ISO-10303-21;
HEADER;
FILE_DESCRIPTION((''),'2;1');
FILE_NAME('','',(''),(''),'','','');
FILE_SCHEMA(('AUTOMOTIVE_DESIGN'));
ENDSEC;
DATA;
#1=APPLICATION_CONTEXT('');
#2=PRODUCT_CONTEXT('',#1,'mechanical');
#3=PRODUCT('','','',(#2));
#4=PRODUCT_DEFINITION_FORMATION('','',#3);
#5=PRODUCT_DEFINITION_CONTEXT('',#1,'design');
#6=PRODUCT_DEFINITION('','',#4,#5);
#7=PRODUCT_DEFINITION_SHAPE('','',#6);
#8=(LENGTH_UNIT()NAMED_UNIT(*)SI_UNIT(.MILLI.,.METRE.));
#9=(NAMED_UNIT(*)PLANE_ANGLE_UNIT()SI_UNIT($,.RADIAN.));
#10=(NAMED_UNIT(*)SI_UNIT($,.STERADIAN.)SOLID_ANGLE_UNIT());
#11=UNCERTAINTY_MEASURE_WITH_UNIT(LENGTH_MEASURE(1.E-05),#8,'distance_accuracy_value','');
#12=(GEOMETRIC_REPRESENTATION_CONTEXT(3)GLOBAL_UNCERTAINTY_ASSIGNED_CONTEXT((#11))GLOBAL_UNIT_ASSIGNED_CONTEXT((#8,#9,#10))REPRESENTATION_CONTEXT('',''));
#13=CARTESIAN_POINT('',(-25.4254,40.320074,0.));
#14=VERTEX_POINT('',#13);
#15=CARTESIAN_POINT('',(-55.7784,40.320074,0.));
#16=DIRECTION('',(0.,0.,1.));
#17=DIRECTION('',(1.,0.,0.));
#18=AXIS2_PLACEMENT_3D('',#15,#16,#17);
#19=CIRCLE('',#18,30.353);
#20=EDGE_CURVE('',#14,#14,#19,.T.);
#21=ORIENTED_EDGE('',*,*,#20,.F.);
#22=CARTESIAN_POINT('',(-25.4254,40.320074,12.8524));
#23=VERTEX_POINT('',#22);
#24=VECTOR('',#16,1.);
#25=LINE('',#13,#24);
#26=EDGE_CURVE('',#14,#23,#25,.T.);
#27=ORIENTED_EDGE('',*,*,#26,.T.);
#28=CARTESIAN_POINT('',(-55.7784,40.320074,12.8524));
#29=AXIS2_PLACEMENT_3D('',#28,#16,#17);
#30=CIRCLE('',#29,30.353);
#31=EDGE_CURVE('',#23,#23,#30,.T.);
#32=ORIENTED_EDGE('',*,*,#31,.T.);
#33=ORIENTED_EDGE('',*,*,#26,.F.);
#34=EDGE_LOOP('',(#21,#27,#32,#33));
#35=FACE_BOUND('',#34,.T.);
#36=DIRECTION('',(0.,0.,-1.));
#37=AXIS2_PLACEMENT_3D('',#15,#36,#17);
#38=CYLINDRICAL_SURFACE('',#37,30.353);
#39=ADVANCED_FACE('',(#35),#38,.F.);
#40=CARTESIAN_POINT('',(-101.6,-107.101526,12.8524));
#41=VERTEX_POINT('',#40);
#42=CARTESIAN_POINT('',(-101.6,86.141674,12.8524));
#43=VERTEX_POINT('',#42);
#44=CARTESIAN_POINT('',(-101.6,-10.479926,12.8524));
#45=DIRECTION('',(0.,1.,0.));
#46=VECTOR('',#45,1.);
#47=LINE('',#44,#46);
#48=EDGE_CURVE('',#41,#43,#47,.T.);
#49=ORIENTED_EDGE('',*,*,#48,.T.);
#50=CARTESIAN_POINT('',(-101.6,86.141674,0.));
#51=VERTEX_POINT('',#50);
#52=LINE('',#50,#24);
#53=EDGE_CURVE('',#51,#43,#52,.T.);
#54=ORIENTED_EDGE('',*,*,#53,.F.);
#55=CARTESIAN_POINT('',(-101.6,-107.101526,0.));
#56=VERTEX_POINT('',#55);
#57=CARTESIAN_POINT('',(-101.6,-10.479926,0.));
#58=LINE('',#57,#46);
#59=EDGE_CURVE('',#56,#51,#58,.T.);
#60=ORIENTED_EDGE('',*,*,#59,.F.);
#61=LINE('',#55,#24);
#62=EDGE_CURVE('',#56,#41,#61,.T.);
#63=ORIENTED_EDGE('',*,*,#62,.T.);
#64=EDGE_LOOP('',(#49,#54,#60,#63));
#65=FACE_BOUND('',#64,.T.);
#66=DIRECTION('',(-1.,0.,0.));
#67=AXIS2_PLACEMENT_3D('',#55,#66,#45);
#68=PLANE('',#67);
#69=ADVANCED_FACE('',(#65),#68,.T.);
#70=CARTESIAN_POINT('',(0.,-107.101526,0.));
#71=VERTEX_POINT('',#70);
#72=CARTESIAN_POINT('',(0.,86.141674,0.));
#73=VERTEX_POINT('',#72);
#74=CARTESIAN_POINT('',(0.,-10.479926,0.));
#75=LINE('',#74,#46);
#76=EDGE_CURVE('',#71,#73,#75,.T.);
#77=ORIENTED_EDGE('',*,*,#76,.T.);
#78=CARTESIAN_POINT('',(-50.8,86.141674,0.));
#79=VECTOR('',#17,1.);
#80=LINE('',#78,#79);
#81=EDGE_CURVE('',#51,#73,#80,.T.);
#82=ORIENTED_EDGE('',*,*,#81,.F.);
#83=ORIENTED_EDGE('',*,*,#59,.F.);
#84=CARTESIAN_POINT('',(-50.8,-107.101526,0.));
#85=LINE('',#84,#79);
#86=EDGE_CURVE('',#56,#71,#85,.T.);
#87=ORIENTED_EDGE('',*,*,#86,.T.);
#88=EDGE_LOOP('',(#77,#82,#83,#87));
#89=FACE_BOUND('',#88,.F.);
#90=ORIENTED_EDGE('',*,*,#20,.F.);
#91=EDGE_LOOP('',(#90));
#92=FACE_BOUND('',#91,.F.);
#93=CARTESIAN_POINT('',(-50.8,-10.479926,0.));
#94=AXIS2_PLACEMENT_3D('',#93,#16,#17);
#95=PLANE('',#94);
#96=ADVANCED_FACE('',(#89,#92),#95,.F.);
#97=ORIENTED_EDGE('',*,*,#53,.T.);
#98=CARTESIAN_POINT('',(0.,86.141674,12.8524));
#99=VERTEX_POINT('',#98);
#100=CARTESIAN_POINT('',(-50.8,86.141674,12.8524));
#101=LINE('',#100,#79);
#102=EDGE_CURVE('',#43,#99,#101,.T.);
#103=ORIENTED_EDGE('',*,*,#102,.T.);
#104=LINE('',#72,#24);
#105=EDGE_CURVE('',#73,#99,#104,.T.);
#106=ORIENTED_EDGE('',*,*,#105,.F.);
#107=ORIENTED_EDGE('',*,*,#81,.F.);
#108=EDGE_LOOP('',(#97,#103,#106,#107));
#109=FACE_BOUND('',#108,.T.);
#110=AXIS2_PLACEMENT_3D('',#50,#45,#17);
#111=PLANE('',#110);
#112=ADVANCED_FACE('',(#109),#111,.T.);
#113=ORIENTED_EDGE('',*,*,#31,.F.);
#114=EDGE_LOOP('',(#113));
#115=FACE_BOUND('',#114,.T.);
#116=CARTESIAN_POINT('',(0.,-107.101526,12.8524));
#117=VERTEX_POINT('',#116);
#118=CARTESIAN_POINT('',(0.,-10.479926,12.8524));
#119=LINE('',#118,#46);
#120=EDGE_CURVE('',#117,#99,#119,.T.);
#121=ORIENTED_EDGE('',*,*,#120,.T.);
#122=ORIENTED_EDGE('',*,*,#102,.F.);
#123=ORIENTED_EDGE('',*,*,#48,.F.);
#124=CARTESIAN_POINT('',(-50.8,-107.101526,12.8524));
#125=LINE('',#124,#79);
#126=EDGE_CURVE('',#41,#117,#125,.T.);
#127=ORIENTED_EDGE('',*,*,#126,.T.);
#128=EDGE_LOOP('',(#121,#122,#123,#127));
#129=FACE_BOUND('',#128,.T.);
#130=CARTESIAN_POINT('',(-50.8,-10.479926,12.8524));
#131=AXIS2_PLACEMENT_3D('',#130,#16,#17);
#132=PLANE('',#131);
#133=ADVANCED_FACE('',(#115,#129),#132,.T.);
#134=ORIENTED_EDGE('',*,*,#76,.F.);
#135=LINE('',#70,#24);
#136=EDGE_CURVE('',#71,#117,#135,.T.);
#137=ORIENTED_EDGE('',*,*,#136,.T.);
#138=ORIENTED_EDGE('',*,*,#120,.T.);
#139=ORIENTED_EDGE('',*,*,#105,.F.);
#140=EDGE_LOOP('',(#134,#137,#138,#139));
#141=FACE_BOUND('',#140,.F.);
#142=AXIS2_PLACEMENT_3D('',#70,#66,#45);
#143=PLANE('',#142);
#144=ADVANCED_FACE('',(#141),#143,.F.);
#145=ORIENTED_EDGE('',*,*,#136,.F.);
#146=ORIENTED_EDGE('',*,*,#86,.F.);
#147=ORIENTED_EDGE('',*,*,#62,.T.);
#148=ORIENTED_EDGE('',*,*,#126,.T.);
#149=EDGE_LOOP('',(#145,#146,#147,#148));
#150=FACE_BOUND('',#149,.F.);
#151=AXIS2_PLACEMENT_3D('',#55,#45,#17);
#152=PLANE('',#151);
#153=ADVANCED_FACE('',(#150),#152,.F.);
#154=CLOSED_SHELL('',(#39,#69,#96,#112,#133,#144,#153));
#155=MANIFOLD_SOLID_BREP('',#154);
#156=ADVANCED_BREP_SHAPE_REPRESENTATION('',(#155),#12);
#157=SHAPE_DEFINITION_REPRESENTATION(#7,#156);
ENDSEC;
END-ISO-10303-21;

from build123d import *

# Parameters (mm, degrees)
F2_W     = 101.6
F2_H     = 193.2432
F2_R     = 30.353
F3_DEPTH = 12.8524


with BuildPart() as f3:
    # F2 (on face) → F3 (new body)
    with BuildSketch(Plane.XY):
        with Locations((-50.8, -10.479926)):
            Rectangle(F2_W, F2_H)
        with Locations((-55.7784, 40.320074)):
            Circle(F2_R, mode=Mode.SUBTRACT)
    extrude(amount=F3_DEPTH)


solid = f3.part
